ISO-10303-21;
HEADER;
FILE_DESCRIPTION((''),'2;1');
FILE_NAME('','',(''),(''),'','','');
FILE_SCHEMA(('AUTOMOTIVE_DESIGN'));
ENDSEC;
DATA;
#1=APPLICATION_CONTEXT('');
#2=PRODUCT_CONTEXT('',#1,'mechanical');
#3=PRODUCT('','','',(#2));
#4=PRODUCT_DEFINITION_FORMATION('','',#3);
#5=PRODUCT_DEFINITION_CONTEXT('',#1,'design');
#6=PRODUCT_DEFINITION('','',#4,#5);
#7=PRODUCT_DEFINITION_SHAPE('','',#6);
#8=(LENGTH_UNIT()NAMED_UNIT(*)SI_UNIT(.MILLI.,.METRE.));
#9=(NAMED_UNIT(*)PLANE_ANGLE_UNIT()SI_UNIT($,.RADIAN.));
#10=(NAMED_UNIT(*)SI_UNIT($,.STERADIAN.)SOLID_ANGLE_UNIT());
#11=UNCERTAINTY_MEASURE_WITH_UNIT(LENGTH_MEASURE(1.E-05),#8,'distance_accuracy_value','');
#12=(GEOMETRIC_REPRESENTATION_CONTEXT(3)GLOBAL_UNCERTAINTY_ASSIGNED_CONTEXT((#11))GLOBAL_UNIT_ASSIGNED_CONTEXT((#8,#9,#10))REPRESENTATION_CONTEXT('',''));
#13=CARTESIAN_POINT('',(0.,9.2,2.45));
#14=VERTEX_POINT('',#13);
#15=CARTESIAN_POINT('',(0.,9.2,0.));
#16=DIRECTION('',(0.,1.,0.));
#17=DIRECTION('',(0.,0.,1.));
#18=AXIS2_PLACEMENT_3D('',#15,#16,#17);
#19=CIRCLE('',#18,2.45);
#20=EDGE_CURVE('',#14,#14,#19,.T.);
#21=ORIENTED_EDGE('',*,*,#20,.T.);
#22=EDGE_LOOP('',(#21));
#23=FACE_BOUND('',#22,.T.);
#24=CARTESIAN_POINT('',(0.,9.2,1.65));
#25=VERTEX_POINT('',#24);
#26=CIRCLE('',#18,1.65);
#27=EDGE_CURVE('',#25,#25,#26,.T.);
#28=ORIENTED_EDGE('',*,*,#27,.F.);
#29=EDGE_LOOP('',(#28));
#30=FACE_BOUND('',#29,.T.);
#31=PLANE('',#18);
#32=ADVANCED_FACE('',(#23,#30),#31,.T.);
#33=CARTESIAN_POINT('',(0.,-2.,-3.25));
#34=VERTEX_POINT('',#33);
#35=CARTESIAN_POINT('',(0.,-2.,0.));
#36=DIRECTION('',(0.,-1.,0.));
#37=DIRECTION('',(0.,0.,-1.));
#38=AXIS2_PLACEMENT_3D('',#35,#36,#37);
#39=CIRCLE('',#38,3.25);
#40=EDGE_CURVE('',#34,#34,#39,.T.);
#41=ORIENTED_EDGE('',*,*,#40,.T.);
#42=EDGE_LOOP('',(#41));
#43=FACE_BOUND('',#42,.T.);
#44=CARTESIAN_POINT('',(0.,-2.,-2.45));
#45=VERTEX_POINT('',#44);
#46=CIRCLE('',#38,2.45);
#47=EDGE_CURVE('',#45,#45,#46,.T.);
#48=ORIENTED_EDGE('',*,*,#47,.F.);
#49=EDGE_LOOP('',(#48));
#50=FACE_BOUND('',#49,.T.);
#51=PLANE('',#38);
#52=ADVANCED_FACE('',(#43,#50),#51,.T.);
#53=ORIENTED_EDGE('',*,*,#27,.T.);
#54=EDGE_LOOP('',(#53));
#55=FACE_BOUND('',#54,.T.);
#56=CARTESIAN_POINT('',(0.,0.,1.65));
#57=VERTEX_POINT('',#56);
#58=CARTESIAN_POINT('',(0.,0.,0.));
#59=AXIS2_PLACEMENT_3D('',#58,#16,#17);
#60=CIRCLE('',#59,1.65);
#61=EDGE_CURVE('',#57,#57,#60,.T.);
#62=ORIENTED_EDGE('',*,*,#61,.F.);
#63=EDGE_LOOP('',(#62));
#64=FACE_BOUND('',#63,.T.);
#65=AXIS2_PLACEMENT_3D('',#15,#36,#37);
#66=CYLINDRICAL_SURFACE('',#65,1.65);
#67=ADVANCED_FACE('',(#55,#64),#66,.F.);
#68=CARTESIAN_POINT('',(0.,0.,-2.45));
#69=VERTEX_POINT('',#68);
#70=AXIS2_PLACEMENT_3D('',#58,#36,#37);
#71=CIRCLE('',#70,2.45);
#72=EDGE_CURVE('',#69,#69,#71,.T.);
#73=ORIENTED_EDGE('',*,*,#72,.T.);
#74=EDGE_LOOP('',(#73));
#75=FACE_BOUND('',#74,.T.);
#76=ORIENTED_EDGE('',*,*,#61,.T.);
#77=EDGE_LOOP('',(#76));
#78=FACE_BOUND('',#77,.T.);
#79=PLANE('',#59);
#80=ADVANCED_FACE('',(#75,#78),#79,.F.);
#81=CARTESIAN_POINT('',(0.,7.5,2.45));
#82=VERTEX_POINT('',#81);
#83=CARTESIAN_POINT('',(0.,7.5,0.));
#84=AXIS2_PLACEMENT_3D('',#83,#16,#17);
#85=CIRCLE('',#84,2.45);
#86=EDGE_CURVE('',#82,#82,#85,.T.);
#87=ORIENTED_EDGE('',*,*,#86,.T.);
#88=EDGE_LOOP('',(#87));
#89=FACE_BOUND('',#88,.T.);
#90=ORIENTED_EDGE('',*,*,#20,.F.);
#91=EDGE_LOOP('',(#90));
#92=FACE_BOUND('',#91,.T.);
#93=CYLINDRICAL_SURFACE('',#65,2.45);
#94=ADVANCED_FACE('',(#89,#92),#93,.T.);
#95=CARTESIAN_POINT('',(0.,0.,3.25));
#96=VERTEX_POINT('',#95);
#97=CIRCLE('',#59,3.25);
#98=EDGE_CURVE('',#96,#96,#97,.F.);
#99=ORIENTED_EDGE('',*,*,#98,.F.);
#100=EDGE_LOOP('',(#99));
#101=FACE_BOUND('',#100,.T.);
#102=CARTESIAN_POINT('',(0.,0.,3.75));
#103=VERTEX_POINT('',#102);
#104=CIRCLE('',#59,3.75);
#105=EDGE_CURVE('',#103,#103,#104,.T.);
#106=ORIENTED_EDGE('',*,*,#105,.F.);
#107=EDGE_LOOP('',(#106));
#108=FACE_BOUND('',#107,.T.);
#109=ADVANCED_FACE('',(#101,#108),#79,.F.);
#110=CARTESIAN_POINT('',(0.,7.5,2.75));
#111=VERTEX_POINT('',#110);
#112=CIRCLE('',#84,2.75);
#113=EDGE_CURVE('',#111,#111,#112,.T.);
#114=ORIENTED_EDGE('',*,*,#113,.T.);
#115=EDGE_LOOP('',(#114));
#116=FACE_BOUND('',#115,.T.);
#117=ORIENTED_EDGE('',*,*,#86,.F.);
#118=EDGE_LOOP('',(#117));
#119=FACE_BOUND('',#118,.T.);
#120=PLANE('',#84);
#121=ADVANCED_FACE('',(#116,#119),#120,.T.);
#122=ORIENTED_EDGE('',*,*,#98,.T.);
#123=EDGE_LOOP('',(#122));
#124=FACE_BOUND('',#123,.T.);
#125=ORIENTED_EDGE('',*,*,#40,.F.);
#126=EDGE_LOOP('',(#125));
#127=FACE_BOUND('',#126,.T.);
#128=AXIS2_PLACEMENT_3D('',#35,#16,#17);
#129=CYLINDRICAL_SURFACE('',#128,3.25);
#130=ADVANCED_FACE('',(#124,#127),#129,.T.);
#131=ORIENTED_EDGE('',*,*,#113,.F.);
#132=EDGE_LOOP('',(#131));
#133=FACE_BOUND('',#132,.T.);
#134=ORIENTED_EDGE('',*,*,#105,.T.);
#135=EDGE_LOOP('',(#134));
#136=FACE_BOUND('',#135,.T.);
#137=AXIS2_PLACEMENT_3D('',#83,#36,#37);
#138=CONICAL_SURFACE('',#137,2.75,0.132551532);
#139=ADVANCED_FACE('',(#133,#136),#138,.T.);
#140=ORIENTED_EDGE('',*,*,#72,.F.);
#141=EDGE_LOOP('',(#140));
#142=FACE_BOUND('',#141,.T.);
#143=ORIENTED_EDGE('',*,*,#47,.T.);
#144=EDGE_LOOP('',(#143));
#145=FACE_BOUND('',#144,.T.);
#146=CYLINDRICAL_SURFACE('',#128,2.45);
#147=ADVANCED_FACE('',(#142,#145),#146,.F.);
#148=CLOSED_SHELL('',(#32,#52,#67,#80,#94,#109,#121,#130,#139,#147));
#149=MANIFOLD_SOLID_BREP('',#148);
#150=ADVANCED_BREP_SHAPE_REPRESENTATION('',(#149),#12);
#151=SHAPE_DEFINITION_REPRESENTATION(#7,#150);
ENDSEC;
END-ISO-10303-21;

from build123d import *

# Parameters (mm, degrees)
SKETCH2_R           = 2.75
SKETCH1_R           = 3.75
SKETCH3_R           = 2.45
SKETCH3_R_2         = 1.65
BOSS_EXTRUDE1_DEPTH = 1.7
BOSS_EXTRUDE2_START = 2
SKETCH4_R           = 3.25
SKETCH4_R_2         = 2.45
BOSS_EXTRUDE2_DEPTH = 2
SKETCH5_R           = 1.65
CUT_EXTRUDE1_DEPTH  = 11.880027642


with BuildPart() as part:
    # Sketch2 → Loft1 section 0
    with BuildSketch(Plane(origin=(0, 7.5, 0), x_dir=(1, 0, 0), z_dir=(0, 1, 0))):
        Circle(SKETCH2_R)
    # Sketch1 → Loft1 section 1
    with BuildSketch(Plane(origin=(0, 0, 0), x_dir=(1, 0, 0), z_dir=(0, 1, 0))):
        Circle(SKETCH1_R)
    loft()

    # Sketch3 → Boss-Extrude1 (add)
    with BuildSketch(Plane(origin=(0, 7.5, 0), x_dir=(1, 0, 0), z_dir=(0, 1, 0))):
        with Locations(Location((0, 0, 0), (0, 0, 270))):
            Circle(SKETCH3_R)
        with Locations(Location((0, 0, 0), (0, 0, 270))):
            Circle(SKETCH3_R_2, mode=Mode.SUBTRACT)
    extrude(amount=BOSS_EXTRUDE1_DEPTH)

    # Sketch4 → Boss-Extrude2 (add)
    with BuildSketch(Plane.XZ.offset(BOSS_EXTRUDE2_START)):
        with Locations(Location((0, 0, 0), (0, 0, 90))):
            Circle(SKETCH4_R)
        with Locations(Location((0, 0, 0), (0, 0, 90))):
            Circle(SKETCH4_R_2, mode=Mode.SUBTRACT)
    extrude(amount=-BOSS_EXTRUDE2_DEPTH)

    # Sketch5 → Cut-Extrude1 (cut, through all)
    with BuildSketch(Plane(origin=(0, 7.5, 0), x_dir=(1, 0, 0), z_dir=(0, 1, 0))):
        with Locations(Location((0, 0, 0), (0, 0, 270))):
            Circle(SKETCH5_R)
    extrude(amount=-CUT_EXTRUDE1_DEPTH, mode=Mode.SUBTRACT)


solid = part.part
